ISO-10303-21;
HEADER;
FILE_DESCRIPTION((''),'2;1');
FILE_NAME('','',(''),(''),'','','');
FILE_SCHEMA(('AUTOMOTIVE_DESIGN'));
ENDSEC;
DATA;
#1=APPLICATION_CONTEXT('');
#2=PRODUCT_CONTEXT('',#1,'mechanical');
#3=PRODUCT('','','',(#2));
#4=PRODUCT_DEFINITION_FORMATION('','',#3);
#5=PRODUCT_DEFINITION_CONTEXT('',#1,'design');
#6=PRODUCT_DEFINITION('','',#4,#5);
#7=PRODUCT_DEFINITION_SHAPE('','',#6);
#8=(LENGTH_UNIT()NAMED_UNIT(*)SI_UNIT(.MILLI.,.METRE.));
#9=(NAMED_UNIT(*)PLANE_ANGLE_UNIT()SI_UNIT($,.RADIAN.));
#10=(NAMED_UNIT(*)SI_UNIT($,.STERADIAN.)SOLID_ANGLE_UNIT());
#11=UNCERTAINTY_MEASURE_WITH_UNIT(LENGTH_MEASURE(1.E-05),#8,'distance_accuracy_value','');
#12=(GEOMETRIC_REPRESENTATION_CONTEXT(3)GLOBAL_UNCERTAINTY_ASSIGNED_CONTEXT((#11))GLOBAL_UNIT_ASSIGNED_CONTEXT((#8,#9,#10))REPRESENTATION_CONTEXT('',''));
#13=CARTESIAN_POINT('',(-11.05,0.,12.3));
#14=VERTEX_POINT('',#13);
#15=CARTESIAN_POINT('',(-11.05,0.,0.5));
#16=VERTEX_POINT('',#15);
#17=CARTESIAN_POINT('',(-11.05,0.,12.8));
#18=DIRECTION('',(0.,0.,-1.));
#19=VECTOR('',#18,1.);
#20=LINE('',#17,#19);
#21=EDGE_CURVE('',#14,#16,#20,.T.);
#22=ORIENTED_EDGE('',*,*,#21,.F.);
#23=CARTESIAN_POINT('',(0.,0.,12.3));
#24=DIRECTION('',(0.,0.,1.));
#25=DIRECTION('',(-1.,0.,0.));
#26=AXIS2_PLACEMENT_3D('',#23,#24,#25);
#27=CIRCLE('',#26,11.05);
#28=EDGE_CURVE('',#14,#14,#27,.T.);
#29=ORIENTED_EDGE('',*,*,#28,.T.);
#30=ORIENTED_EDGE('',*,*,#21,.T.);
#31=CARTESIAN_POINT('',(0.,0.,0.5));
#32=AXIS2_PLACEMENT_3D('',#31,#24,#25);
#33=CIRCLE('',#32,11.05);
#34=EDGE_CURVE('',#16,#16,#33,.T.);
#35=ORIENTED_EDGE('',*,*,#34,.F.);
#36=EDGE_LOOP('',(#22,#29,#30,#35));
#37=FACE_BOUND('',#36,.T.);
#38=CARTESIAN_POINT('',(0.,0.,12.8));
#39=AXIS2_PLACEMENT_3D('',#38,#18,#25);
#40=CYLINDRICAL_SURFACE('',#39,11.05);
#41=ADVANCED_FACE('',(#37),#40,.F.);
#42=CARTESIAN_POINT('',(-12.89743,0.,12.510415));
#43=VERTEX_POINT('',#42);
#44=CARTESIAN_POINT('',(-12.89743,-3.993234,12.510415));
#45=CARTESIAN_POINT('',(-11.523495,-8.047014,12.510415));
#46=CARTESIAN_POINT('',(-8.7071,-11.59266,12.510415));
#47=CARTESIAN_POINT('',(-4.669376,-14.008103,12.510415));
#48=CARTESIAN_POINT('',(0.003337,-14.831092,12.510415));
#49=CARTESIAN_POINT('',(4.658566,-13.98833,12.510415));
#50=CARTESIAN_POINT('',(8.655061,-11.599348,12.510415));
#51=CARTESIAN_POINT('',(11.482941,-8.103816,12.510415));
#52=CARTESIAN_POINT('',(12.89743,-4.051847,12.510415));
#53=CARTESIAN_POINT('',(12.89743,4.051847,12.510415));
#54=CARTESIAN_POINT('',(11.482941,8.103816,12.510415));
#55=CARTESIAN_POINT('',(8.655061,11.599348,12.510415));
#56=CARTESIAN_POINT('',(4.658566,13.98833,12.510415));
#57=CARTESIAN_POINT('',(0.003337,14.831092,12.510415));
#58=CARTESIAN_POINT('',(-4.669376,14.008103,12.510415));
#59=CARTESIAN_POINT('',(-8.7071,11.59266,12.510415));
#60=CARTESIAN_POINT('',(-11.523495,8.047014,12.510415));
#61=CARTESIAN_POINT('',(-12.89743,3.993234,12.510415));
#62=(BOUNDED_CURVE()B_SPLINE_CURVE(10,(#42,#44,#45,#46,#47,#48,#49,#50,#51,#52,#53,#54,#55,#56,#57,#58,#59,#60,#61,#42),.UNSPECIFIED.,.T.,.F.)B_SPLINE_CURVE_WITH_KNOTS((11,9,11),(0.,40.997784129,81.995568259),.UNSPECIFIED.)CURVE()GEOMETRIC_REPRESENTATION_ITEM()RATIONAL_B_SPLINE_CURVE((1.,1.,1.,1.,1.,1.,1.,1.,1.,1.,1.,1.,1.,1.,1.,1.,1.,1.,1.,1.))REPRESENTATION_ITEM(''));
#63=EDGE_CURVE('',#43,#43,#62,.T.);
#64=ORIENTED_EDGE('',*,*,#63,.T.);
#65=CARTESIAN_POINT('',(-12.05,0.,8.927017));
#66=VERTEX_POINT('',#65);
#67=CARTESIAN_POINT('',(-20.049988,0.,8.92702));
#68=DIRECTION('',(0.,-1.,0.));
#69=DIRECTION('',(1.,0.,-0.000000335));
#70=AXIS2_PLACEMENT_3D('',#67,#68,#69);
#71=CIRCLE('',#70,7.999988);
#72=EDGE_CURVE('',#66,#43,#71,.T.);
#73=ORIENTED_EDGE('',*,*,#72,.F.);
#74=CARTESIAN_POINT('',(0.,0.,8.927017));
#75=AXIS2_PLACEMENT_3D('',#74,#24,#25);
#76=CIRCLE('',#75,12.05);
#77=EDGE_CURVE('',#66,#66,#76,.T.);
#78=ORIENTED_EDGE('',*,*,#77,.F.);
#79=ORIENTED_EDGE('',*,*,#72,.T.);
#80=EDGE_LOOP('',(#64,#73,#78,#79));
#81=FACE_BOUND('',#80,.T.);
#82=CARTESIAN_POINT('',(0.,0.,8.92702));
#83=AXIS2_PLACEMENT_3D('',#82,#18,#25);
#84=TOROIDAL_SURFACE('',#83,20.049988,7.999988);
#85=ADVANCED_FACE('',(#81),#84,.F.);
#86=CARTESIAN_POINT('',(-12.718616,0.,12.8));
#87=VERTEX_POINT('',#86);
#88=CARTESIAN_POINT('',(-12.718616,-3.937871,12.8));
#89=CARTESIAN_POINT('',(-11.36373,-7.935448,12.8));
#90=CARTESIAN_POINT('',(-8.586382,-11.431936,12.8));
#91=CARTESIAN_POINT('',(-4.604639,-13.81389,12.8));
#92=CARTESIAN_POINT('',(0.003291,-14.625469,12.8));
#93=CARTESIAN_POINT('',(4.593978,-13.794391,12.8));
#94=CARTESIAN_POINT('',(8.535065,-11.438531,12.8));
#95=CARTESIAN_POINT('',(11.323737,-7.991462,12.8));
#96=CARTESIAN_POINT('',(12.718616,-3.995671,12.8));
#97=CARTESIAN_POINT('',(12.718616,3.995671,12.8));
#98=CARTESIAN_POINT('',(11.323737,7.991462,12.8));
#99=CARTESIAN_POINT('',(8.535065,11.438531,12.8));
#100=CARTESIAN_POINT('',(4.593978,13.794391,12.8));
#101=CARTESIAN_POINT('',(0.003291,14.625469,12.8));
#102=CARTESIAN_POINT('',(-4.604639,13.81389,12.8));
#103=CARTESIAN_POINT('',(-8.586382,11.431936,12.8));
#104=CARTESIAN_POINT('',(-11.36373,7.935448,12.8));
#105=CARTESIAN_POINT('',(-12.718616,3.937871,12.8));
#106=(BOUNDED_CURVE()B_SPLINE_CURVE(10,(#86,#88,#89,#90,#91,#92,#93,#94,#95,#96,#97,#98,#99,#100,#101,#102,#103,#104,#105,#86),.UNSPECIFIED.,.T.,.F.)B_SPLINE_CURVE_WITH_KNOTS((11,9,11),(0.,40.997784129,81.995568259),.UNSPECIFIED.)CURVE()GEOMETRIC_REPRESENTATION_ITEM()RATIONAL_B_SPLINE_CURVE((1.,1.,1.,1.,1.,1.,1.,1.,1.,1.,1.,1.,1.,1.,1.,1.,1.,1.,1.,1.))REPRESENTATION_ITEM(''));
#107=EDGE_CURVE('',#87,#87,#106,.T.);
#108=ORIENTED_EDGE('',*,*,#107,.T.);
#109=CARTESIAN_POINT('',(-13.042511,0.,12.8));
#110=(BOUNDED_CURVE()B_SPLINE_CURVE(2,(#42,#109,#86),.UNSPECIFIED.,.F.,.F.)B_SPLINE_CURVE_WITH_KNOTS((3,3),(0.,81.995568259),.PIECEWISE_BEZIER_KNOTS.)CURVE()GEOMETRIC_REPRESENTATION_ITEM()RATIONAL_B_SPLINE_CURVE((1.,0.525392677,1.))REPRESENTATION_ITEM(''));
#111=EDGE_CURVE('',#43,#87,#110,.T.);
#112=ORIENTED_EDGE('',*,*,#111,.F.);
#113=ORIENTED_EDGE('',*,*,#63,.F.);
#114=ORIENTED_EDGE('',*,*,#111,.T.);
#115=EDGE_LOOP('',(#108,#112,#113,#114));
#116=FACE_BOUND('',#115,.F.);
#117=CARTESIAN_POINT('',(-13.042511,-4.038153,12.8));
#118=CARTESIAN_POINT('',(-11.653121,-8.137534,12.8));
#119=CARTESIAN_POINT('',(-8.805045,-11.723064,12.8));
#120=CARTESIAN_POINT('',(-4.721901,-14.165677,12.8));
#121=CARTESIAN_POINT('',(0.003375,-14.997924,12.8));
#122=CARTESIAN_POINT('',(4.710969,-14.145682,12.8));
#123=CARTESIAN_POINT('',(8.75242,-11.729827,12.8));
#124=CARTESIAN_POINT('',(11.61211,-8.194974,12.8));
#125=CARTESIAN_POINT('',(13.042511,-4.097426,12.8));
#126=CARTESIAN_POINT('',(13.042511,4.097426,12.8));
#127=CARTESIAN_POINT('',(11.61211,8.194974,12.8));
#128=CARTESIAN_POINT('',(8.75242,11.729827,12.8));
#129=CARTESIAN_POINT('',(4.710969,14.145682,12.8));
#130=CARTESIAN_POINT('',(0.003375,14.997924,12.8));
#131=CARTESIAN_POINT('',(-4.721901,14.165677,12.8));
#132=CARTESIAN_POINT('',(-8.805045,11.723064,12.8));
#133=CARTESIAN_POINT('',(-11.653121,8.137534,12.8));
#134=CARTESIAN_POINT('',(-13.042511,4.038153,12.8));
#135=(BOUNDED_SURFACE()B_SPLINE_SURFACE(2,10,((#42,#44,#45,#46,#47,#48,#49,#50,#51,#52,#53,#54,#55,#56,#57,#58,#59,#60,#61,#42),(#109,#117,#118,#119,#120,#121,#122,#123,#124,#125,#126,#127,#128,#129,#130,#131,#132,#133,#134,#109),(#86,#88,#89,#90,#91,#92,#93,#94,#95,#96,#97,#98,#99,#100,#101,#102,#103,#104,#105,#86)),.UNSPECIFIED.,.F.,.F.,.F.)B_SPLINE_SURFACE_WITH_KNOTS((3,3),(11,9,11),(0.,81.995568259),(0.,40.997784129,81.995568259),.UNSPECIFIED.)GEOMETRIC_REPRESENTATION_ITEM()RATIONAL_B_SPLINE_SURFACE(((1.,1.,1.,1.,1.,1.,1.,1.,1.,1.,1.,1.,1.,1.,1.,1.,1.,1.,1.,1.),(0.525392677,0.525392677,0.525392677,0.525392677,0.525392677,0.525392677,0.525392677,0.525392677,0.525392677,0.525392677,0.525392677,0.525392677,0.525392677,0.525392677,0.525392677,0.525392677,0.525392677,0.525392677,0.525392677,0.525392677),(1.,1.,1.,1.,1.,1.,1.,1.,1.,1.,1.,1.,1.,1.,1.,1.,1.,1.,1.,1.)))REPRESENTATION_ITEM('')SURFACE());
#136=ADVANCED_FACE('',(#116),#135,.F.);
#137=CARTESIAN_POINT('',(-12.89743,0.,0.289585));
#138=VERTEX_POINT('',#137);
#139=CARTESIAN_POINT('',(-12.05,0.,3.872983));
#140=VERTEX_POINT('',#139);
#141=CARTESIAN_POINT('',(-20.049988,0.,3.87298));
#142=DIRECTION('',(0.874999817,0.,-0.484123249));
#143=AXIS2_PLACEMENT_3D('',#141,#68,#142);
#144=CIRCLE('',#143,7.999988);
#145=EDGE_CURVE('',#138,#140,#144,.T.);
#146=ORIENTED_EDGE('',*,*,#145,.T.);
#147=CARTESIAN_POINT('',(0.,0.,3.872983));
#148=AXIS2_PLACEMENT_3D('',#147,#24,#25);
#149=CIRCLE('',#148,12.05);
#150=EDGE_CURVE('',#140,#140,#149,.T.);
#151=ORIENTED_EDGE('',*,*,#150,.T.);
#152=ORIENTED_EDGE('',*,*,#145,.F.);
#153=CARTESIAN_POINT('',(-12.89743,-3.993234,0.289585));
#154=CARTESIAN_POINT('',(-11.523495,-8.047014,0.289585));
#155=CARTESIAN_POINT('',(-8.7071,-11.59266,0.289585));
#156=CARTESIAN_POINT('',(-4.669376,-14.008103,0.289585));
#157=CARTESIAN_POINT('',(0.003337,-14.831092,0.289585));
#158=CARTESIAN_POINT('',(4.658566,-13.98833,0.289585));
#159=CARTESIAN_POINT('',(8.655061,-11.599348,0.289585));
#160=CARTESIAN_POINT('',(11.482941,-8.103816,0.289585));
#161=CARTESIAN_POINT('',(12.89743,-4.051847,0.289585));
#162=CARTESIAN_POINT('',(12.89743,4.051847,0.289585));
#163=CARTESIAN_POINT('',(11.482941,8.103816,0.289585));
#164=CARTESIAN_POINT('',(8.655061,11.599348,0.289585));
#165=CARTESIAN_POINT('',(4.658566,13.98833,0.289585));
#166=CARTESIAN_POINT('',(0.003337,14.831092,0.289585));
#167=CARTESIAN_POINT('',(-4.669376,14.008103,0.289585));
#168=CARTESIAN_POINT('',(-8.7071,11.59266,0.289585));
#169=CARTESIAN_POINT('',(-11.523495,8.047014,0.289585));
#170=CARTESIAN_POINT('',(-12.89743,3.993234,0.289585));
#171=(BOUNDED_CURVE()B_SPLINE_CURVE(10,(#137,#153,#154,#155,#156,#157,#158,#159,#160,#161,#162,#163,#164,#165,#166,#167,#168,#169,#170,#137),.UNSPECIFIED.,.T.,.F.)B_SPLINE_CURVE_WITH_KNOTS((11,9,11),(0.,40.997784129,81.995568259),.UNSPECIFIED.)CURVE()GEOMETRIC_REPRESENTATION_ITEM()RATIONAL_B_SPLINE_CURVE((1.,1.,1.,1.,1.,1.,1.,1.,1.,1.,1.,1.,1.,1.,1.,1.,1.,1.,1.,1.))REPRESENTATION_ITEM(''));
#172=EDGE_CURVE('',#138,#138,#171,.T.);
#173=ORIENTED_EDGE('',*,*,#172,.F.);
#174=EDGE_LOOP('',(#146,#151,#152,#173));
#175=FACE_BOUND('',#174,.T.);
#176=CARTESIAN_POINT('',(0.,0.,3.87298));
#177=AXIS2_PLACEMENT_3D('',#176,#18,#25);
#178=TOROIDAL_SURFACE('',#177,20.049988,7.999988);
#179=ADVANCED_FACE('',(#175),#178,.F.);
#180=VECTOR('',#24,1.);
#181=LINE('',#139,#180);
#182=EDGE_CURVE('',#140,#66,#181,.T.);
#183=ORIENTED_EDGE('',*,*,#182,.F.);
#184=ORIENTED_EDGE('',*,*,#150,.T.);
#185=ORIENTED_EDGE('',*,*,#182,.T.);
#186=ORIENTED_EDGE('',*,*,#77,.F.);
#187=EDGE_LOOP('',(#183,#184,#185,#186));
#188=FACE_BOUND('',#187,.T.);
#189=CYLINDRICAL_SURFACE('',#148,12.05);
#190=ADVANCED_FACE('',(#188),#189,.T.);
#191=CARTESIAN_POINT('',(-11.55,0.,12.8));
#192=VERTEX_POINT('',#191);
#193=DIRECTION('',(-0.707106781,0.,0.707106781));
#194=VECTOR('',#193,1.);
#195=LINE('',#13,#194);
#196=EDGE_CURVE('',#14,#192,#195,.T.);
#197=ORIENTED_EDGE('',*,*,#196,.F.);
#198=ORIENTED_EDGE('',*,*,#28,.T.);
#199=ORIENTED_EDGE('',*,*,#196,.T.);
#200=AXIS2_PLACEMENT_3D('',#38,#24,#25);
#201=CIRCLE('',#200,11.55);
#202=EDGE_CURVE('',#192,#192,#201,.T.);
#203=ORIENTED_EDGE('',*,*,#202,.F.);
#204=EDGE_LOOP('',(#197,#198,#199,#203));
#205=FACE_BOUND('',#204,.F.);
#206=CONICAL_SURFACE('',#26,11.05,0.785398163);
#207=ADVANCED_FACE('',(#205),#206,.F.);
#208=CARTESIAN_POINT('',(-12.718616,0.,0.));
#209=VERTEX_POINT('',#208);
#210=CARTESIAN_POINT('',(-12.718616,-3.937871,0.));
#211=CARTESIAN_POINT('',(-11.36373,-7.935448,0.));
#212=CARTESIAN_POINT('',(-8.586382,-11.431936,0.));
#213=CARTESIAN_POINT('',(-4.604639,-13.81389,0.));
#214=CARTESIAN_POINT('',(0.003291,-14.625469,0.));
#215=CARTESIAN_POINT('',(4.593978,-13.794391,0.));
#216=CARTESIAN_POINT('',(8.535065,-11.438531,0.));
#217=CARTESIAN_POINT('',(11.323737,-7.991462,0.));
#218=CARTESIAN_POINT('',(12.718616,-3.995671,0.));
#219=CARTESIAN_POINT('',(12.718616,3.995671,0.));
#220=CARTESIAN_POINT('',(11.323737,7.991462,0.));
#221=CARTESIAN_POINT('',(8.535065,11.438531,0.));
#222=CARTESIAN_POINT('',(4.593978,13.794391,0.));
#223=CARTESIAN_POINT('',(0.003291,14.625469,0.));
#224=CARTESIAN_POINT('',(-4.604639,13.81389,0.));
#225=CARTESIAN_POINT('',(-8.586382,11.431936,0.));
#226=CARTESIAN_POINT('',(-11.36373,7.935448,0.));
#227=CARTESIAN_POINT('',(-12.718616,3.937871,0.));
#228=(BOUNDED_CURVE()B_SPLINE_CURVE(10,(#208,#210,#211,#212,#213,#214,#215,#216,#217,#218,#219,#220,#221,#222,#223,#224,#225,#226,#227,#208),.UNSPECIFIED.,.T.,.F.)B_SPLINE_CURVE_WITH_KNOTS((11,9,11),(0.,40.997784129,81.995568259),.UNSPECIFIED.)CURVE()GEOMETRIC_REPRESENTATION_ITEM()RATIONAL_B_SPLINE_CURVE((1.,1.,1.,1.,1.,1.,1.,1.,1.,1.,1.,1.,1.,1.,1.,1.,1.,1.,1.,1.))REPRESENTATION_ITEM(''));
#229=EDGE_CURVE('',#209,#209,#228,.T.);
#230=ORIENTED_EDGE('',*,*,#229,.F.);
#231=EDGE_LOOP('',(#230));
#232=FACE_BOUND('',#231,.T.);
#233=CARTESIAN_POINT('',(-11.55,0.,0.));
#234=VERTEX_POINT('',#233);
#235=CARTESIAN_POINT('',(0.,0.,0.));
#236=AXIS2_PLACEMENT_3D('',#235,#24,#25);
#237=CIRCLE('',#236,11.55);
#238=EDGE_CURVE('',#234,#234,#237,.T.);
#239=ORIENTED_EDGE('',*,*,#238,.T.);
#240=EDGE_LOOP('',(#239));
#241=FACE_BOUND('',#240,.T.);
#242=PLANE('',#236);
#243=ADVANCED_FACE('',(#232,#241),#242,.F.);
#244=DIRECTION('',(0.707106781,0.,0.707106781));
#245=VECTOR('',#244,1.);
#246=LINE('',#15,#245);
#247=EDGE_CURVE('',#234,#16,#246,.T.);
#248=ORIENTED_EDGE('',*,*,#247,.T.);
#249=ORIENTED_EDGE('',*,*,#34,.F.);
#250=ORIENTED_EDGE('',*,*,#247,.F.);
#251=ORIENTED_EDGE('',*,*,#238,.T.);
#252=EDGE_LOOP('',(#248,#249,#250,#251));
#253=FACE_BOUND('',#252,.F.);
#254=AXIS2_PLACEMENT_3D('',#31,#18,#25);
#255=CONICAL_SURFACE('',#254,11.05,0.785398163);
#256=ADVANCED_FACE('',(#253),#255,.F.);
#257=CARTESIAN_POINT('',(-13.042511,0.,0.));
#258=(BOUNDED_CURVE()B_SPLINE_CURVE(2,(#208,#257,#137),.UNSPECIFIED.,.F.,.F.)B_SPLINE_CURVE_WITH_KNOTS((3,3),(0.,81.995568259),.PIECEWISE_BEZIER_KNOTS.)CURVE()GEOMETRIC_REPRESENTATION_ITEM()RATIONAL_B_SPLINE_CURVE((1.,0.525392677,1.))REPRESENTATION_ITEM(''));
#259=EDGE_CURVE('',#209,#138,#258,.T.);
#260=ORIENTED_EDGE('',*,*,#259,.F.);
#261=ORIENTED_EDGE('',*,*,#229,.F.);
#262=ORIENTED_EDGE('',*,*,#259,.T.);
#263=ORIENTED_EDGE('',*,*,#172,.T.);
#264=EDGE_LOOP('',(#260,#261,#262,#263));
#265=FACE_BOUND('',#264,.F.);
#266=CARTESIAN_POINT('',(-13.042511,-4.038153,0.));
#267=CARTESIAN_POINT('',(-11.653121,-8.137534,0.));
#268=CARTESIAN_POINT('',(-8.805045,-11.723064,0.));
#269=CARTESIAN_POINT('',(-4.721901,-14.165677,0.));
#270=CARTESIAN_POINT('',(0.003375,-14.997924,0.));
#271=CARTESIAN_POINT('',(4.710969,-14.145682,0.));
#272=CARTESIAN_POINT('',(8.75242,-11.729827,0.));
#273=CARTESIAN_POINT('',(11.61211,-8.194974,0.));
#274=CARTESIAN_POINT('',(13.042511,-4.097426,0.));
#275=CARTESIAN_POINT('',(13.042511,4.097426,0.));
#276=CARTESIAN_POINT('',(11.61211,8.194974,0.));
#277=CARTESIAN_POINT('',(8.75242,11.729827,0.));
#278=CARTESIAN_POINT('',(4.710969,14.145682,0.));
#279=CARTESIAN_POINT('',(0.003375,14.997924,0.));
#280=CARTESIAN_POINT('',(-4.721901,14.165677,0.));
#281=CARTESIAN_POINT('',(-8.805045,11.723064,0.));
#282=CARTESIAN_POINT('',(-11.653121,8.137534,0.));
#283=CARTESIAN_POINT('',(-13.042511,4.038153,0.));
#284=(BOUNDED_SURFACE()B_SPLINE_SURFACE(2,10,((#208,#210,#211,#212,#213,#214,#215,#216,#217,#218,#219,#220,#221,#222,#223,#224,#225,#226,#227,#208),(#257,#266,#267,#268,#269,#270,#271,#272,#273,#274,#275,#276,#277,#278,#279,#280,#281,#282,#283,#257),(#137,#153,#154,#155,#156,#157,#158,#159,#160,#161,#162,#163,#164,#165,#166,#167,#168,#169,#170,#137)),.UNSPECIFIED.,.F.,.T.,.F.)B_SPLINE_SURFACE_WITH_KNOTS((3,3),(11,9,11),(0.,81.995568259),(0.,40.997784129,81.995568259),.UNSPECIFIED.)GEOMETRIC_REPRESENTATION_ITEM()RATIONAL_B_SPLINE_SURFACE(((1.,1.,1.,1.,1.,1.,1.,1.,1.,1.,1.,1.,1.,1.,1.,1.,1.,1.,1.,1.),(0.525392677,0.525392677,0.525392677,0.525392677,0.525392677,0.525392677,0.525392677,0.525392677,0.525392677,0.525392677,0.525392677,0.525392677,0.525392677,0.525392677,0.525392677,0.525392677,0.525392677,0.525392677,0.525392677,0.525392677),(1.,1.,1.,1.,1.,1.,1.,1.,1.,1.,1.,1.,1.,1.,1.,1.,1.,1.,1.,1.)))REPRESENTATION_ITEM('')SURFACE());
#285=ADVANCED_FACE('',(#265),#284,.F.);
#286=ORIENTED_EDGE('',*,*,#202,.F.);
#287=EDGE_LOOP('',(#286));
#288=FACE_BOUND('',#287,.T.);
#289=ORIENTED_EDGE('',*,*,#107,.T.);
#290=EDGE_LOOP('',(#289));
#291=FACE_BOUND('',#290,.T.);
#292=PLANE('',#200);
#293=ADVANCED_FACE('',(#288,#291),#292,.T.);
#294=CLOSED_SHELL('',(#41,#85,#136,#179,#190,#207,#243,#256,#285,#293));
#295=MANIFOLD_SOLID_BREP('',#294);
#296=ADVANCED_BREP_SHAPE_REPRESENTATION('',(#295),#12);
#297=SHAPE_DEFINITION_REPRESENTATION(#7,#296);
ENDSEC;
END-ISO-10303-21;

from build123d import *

# Parameters (mm, degrees)
FILLET_R     = 0.2
CHAMFER_SIZE = 0.5


with BuildPart() as part:
    # Sketch001 → Revolution (revolve)
    with BuildSketch(Plane.XZ):
        with BuildLine():
            Line((-11.05, 12.8), (-11.05, 0))
            Line((-11.05, 0), (-13.05, 0))
            ThreePointArc((-13.05, 0), (-12.304033, 1.872983), (-12.05, 3.872983))
            Line((-12.05, 3.872983), (-12.05, 8.927017))
            ThreePointArc((-12.05, 8.927017), (-12.304033, 10.927017), (-13.05, 12.8))
            Line((-13.05, 12.8), (-11.05, 12.8))
        make_face()
    revolve(axis=Axis((0, 0, 0), (0, 0, 1)))

    # Fillet
    fillet_edges = [part.edges().sort_by_distance(p)[0] for p in [
        (13.05, 0, 12.8),
        (13.05, 0, 0),
    ]]
    fillet(fillet_edges, radius=FILLET_R)

    # Chamfer
    chamfer_edges = [part.edges().sort_by_distance(p)[0] for p in [
        (11.05, 0, 0),
        (11.05, 0, 12.8),
    ]]
    chamfer(chamfer_edges, length=CHAMFER_SIZE)


solid = part.part
